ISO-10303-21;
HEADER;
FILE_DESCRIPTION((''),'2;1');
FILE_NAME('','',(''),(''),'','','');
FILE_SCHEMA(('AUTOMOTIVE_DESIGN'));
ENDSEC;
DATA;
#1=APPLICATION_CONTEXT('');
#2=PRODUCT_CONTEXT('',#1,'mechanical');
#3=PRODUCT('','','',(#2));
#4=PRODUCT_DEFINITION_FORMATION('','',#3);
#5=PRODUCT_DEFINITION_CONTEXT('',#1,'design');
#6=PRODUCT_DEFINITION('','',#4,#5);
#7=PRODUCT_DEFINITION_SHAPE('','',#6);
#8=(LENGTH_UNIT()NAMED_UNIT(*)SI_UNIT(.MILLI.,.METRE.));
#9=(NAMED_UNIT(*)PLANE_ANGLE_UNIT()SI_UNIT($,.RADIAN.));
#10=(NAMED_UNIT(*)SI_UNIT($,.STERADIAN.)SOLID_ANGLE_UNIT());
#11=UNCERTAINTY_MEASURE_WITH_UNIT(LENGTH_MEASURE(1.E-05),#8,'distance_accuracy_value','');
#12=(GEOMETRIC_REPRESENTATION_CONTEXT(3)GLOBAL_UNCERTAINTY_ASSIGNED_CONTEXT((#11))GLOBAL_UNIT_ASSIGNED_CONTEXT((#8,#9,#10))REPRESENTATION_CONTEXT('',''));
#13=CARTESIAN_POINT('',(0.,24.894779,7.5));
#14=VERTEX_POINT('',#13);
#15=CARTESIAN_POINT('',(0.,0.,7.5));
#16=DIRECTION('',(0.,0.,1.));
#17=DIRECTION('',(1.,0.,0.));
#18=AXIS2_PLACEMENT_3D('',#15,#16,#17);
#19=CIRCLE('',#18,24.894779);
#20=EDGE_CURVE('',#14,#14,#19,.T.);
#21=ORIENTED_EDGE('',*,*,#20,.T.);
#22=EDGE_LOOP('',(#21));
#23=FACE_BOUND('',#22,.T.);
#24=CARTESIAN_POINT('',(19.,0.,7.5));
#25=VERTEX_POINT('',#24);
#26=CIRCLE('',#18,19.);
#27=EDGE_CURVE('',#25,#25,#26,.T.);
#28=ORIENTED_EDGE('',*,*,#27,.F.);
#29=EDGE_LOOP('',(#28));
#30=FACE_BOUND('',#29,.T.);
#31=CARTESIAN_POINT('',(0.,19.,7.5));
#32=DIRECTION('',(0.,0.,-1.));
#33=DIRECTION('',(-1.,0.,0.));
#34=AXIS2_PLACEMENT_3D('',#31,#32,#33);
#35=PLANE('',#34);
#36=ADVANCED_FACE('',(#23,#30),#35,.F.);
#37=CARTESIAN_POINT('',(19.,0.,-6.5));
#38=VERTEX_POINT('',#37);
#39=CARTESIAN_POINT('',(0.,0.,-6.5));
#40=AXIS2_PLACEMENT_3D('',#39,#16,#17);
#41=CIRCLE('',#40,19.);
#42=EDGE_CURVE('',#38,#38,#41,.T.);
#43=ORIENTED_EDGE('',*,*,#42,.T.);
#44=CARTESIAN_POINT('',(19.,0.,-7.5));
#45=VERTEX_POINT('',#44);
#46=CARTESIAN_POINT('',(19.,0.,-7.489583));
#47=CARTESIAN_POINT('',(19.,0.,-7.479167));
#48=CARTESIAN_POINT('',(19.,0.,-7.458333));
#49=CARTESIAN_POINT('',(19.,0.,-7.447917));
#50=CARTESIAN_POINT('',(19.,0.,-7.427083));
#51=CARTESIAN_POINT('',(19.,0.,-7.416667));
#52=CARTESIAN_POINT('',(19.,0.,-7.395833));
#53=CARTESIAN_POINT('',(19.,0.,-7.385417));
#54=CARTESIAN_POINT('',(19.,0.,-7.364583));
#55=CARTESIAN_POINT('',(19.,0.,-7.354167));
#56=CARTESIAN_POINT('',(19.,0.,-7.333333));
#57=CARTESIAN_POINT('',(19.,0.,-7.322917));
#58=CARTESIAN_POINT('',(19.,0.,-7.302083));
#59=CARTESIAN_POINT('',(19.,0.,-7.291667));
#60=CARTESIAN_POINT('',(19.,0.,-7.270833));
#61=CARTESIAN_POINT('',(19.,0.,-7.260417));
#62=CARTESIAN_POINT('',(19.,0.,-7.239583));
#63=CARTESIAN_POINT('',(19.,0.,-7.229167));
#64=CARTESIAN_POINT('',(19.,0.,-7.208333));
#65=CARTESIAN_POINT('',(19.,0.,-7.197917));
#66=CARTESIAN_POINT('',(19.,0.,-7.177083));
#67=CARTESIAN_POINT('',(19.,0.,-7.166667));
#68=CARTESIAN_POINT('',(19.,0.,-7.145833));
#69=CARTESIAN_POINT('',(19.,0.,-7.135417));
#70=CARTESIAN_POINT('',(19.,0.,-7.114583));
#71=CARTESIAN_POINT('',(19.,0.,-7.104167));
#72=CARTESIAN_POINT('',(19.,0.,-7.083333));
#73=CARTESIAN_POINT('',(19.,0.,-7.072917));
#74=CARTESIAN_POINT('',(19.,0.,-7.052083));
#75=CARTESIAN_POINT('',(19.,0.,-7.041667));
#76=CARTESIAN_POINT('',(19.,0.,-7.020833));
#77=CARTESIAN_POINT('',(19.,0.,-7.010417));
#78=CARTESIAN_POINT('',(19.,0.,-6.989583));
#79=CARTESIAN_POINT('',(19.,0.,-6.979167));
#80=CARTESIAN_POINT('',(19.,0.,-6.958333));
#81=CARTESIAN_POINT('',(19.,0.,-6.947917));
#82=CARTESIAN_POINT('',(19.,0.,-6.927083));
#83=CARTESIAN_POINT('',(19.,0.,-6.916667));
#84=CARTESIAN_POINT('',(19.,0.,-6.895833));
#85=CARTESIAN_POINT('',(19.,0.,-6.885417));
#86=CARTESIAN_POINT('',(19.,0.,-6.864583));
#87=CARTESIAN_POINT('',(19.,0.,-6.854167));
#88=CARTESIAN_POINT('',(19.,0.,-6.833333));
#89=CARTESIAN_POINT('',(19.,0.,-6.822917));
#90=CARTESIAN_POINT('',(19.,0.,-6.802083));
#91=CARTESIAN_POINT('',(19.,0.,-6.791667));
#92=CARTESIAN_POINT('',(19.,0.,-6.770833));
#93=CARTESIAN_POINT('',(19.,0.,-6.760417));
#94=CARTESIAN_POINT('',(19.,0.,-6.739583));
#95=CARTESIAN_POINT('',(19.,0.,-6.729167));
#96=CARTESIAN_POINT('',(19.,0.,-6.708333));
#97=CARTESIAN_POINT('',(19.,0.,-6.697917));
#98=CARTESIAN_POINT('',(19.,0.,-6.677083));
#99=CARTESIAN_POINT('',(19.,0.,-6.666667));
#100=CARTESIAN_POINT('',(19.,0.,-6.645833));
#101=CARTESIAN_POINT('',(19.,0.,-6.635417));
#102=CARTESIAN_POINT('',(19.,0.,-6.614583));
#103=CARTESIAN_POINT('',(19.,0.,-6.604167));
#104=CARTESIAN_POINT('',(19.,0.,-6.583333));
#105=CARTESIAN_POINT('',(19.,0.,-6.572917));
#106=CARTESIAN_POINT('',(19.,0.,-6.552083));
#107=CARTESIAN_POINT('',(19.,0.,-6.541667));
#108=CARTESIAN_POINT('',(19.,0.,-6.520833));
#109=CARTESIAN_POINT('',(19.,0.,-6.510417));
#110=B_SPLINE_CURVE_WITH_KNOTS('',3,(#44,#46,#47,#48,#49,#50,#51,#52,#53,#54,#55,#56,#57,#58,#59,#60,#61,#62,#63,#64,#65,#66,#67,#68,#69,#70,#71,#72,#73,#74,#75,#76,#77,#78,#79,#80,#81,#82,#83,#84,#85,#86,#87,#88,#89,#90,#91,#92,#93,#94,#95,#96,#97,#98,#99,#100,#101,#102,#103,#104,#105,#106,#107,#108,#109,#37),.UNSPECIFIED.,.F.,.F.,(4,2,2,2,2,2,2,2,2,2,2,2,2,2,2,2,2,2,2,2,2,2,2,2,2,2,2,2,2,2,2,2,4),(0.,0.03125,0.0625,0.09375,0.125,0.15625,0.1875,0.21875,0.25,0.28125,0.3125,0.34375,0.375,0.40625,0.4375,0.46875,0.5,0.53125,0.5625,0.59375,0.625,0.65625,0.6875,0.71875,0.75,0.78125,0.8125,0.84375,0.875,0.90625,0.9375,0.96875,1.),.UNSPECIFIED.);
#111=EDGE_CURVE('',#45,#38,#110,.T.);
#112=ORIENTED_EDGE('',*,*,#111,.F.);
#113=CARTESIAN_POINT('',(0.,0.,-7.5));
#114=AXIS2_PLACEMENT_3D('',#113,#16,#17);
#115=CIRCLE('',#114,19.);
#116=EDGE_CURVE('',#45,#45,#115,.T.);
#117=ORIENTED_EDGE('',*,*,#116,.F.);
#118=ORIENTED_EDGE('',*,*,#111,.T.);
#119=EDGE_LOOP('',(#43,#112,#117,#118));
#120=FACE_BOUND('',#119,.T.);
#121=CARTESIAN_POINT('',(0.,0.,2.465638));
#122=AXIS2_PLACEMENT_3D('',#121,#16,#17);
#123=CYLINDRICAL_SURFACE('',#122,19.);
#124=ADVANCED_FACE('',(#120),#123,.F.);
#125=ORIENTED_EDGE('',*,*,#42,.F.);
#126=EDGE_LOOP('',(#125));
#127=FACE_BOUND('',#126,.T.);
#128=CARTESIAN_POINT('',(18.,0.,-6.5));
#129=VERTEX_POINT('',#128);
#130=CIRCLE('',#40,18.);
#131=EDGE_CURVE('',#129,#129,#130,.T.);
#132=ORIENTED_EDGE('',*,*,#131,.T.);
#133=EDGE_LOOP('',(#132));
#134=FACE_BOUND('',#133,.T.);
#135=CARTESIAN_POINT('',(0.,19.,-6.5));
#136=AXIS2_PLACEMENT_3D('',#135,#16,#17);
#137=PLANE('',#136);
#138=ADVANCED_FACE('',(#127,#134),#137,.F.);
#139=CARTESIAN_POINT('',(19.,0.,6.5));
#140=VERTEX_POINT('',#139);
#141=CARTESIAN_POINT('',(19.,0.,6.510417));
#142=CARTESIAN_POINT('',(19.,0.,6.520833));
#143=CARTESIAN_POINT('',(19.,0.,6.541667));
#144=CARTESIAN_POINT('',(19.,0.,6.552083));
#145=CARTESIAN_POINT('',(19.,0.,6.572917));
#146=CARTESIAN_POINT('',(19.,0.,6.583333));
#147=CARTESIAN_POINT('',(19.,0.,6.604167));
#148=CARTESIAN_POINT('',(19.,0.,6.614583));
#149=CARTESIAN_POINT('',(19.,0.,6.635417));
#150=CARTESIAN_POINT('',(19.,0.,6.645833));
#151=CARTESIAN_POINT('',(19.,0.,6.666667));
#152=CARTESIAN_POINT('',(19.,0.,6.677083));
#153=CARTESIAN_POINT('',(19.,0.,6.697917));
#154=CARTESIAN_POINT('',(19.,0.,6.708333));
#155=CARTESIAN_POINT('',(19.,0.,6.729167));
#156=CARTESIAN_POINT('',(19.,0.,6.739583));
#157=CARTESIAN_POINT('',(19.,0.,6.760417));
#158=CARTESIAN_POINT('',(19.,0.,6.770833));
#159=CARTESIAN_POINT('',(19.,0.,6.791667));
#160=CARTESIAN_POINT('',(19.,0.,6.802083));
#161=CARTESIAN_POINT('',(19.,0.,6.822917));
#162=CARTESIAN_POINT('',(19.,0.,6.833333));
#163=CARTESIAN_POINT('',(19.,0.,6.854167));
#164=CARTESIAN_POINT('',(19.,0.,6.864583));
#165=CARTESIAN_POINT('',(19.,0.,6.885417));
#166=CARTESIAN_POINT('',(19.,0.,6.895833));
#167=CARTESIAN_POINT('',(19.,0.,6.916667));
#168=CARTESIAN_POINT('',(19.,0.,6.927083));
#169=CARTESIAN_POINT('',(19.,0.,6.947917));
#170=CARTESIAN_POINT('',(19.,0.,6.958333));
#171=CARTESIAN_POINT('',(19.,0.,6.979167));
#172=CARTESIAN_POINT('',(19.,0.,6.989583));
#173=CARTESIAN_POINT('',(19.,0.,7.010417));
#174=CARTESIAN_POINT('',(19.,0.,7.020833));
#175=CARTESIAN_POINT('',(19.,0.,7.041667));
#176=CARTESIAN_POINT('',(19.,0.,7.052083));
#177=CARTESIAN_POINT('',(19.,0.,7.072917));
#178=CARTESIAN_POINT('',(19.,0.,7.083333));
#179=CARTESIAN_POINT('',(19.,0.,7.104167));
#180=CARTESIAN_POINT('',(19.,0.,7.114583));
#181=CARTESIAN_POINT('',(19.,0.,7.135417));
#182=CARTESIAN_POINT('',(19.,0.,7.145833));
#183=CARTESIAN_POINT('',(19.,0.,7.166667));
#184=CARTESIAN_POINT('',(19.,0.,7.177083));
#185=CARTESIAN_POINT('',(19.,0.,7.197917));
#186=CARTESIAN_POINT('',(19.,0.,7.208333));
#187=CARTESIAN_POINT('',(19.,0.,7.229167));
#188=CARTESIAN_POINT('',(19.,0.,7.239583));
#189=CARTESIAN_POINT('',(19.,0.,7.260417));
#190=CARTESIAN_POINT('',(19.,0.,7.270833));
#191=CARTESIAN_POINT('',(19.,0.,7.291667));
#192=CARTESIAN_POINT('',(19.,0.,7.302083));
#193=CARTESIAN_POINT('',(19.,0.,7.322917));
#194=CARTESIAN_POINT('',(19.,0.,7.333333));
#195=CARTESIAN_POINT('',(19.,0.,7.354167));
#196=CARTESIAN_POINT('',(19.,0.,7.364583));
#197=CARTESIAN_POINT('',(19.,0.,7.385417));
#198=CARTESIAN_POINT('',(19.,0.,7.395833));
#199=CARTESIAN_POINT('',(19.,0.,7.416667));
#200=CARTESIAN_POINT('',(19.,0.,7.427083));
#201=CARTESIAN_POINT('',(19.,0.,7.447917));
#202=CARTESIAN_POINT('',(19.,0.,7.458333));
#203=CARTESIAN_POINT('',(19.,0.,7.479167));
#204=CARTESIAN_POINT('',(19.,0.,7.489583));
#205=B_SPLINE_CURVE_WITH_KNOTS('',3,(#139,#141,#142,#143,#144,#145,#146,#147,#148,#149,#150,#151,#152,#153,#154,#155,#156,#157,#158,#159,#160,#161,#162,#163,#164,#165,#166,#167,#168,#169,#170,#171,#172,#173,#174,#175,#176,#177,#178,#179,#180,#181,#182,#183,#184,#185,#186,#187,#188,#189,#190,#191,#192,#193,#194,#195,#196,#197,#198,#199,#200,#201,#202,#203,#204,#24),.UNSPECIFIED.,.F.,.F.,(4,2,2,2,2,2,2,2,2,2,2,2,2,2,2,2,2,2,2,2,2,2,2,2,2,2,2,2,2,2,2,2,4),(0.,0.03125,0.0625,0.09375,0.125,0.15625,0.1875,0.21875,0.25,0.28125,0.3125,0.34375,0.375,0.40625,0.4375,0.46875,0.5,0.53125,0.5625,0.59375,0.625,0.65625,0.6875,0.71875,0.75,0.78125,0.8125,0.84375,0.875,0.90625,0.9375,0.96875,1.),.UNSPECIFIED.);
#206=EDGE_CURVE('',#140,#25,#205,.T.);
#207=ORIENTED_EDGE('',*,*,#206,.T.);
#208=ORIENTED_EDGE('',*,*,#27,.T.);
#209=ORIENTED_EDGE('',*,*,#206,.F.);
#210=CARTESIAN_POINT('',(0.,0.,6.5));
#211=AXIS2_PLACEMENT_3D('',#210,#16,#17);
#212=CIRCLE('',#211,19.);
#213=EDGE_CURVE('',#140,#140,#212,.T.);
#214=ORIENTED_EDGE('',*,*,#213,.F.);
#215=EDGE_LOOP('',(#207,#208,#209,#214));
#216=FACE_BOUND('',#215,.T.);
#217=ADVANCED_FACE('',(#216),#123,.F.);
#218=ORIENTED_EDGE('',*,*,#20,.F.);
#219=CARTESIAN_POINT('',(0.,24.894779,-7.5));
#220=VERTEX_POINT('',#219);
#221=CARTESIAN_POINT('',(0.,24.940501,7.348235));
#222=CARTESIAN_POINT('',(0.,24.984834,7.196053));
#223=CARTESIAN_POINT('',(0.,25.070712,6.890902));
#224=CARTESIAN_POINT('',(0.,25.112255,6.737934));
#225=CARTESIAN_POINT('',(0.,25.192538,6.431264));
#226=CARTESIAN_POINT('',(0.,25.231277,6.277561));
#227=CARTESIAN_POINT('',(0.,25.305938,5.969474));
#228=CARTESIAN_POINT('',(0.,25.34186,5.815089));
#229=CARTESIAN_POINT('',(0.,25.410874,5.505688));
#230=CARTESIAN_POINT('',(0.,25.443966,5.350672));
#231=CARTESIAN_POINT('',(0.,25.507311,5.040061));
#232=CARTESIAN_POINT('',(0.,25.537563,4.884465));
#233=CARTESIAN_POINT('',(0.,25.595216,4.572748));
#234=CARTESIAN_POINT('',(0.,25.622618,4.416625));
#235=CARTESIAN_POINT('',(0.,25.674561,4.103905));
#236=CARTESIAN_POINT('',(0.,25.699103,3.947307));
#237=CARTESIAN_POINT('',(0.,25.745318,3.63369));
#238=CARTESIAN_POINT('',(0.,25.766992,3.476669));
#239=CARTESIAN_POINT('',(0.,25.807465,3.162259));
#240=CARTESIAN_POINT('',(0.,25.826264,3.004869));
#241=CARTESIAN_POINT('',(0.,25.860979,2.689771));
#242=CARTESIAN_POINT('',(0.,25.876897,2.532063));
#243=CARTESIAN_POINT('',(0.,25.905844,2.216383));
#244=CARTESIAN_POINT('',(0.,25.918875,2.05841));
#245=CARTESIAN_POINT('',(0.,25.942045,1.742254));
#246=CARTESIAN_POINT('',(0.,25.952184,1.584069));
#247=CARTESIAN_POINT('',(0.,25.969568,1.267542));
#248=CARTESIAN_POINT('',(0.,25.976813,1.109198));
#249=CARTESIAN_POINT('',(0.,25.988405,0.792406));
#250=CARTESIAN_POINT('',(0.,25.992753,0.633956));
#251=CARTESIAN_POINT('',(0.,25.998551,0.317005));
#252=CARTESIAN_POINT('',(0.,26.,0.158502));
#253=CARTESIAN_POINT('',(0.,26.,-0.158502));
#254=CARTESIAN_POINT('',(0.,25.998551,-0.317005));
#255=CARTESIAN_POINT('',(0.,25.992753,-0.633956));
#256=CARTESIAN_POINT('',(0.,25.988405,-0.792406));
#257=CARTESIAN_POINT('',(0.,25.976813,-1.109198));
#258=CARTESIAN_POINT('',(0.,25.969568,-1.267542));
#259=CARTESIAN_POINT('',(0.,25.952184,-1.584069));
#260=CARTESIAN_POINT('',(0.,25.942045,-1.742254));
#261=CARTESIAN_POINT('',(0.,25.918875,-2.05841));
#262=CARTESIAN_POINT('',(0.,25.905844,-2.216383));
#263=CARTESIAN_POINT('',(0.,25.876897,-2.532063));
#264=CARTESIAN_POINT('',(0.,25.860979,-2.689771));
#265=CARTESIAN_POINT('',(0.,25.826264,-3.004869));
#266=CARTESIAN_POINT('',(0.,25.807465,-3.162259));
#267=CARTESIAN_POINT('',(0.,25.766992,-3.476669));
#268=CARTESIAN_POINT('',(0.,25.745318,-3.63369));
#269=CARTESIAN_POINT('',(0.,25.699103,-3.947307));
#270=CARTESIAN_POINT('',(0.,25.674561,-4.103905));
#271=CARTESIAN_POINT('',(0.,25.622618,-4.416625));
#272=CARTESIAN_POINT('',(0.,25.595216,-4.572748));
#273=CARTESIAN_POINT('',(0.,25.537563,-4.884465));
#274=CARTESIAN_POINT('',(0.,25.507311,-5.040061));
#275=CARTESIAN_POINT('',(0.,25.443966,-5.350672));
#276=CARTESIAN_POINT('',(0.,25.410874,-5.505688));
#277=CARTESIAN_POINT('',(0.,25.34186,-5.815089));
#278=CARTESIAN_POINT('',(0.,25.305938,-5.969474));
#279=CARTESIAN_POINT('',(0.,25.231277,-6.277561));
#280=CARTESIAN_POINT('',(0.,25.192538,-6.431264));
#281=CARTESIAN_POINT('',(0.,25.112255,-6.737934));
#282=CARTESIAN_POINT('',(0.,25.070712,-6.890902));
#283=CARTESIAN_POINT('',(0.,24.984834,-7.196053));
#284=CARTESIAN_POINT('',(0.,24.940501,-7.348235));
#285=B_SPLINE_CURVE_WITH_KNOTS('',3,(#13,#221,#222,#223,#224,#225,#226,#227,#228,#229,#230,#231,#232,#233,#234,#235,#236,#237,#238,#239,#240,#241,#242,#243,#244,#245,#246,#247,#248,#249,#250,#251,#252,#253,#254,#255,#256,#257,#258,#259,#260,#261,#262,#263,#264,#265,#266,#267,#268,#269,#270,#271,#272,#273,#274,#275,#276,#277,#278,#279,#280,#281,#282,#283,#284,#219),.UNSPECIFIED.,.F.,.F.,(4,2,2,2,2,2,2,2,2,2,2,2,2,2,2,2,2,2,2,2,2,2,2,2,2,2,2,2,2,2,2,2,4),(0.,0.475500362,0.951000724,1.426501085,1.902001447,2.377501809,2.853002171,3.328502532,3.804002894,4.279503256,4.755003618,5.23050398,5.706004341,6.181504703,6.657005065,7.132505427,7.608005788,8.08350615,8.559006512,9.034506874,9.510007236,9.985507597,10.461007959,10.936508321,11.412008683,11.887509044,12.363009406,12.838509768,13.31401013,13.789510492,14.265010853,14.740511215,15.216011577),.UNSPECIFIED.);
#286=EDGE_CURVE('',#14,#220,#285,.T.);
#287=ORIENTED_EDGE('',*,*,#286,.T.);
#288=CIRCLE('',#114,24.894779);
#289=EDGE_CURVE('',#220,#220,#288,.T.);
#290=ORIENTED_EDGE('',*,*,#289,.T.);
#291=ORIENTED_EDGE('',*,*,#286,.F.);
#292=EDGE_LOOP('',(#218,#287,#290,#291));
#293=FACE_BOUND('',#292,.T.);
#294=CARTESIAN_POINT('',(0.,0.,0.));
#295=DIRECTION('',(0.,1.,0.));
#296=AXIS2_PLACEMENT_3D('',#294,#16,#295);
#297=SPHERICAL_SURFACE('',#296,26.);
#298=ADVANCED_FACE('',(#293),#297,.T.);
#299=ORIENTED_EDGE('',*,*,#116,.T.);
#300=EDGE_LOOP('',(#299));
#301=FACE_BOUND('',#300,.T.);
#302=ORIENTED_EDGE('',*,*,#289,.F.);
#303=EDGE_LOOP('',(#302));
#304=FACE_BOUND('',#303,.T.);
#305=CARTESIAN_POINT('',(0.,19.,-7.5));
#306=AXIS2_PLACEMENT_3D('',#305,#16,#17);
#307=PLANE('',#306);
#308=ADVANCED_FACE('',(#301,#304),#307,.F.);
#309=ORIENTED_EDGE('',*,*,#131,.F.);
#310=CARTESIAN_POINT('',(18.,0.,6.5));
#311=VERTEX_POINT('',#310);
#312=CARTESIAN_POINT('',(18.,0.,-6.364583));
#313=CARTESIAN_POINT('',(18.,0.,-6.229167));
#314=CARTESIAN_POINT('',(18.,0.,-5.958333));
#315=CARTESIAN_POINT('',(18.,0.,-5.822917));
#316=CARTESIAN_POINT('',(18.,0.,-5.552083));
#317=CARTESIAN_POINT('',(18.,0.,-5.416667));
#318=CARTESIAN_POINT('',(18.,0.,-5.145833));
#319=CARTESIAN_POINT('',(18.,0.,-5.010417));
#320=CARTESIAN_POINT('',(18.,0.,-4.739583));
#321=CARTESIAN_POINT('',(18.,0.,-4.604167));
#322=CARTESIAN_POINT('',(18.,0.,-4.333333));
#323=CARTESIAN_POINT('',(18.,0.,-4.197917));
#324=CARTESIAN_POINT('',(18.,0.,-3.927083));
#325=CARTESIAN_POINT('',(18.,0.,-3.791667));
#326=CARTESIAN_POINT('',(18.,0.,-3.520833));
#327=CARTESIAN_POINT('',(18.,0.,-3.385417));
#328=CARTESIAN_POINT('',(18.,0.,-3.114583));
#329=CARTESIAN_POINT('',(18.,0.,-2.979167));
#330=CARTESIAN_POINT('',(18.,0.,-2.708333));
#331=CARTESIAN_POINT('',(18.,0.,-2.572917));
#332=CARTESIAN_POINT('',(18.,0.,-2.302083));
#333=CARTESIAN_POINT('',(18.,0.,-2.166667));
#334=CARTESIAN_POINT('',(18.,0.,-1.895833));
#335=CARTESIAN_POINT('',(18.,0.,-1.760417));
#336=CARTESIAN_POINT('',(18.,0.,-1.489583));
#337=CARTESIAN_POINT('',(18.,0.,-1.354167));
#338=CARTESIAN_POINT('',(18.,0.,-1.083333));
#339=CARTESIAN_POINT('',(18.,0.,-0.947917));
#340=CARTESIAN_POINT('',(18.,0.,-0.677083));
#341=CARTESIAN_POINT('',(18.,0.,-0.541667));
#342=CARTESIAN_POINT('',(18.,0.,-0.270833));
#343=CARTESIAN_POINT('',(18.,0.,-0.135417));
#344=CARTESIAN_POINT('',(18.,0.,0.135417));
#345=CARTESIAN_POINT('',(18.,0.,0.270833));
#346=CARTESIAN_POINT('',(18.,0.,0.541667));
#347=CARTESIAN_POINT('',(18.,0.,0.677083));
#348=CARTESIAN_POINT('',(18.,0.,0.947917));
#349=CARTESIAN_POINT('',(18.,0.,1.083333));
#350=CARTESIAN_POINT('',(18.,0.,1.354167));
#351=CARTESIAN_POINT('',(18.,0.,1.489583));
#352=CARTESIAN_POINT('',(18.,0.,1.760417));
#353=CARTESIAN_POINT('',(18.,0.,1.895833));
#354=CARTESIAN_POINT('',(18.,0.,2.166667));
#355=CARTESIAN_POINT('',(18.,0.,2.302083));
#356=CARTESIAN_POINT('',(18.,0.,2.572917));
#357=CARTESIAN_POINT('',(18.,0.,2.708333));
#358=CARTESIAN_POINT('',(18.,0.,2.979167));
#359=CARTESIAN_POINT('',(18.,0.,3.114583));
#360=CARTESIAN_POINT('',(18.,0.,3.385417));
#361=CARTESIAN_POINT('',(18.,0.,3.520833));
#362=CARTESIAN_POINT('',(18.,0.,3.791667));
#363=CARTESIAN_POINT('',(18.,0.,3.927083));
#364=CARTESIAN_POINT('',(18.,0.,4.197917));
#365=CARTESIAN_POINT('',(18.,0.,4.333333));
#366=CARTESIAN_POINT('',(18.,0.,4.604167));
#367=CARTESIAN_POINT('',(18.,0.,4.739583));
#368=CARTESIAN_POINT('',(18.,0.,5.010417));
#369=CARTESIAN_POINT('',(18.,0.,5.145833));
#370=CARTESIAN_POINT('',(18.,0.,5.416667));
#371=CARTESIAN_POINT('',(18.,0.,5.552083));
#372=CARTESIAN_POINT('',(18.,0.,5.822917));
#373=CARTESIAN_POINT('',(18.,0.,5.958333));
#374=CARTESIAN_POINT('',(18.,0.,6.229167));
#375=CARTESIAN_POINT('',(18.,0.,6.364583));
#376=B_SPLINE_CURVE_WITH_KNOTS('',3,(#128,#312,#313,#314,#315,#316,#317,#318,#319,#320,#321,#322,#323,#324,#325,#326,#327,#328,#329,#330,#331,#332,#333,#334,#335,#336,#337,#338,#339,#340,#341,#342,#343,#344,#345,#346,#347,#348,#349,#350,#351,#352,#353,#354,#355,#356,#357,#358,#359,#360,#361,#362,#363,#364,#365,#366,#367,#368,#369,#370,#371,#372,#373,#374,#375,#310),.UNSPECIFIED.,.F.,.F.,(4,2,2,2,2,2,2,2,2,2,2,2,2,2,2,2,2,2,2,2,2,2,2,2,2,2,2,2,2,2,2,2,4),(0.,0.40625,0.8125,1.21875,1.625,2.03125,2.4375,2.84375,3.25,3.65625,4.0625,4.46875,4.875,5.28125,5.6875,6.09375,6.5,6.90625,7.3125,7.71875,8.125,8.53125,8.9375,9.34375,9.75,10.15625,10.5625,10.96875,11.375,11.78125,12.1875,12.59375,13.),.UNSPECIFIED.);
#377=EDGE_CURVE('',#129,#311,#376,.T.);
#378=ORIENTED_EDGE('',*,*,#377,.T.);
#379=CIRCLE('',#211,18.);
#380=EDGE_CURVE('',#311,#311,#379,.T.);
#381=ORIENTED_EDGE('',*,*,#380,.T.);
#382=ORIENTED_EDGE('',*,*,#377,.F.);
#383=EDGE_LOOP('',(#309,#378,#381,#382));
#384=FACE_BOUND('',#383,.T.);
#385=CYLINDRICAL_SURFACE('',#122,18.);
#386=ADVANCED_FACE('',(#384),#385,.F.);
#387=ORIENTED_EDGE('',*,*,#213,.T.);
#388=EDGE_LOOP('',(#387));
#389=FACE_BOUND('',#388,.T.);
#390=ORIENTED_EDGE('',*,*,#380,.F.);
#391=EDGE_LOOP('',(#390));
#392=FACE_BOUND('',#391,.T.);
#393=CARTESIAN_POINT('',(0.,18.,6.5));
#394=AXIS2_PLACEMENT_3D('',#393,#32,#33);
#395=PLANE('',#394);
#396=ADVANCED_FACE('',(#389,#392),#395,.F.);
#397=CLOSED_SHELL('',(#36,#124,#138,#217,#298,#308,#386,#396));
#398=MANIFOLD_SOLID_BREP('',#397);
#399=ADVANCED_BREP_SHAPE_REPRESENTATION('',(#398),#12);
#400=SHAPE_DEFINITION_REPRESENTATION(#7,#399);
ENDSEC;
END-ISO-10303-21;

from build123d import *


with BuildPart() as part:
    # Esquisse1 → Révolution1 (revolve)
    with BuildSketch(Plane(origin=(0, 0, 0), x_dir=(0, 0, -1), z_dir=(1, 0, 0)), mode=Mode.PRIVATE) as r_volution1_sk:
        with BuildLine():
            Line((-6.5, 18), (6.5, 18))
            Line((6.5, 18), (6.5, 19))
            Line((6.5, 19), (7.5, 19))
            Line((7.5, 19), (7.5, 24.894778569))
            ThreePointArc((7.5, 24.894778569), (0, 26), (-7.5, 24.894778569))
            Line((-7.5, 24.894778569), (-7.5, 19))
            Line((-7.5, 19), (-6.5, 19))
            Line((-6.5, 19), (-6.5, 18))
        make_face()
    revolve(r_volution1_sk.sketch.rotate(Axis((0, 0, 2.4656375), (0, 0, -1)), 90), axis=Axis((0, 0, 2.4656375), (0, 0, -1)))


solid = part.part
